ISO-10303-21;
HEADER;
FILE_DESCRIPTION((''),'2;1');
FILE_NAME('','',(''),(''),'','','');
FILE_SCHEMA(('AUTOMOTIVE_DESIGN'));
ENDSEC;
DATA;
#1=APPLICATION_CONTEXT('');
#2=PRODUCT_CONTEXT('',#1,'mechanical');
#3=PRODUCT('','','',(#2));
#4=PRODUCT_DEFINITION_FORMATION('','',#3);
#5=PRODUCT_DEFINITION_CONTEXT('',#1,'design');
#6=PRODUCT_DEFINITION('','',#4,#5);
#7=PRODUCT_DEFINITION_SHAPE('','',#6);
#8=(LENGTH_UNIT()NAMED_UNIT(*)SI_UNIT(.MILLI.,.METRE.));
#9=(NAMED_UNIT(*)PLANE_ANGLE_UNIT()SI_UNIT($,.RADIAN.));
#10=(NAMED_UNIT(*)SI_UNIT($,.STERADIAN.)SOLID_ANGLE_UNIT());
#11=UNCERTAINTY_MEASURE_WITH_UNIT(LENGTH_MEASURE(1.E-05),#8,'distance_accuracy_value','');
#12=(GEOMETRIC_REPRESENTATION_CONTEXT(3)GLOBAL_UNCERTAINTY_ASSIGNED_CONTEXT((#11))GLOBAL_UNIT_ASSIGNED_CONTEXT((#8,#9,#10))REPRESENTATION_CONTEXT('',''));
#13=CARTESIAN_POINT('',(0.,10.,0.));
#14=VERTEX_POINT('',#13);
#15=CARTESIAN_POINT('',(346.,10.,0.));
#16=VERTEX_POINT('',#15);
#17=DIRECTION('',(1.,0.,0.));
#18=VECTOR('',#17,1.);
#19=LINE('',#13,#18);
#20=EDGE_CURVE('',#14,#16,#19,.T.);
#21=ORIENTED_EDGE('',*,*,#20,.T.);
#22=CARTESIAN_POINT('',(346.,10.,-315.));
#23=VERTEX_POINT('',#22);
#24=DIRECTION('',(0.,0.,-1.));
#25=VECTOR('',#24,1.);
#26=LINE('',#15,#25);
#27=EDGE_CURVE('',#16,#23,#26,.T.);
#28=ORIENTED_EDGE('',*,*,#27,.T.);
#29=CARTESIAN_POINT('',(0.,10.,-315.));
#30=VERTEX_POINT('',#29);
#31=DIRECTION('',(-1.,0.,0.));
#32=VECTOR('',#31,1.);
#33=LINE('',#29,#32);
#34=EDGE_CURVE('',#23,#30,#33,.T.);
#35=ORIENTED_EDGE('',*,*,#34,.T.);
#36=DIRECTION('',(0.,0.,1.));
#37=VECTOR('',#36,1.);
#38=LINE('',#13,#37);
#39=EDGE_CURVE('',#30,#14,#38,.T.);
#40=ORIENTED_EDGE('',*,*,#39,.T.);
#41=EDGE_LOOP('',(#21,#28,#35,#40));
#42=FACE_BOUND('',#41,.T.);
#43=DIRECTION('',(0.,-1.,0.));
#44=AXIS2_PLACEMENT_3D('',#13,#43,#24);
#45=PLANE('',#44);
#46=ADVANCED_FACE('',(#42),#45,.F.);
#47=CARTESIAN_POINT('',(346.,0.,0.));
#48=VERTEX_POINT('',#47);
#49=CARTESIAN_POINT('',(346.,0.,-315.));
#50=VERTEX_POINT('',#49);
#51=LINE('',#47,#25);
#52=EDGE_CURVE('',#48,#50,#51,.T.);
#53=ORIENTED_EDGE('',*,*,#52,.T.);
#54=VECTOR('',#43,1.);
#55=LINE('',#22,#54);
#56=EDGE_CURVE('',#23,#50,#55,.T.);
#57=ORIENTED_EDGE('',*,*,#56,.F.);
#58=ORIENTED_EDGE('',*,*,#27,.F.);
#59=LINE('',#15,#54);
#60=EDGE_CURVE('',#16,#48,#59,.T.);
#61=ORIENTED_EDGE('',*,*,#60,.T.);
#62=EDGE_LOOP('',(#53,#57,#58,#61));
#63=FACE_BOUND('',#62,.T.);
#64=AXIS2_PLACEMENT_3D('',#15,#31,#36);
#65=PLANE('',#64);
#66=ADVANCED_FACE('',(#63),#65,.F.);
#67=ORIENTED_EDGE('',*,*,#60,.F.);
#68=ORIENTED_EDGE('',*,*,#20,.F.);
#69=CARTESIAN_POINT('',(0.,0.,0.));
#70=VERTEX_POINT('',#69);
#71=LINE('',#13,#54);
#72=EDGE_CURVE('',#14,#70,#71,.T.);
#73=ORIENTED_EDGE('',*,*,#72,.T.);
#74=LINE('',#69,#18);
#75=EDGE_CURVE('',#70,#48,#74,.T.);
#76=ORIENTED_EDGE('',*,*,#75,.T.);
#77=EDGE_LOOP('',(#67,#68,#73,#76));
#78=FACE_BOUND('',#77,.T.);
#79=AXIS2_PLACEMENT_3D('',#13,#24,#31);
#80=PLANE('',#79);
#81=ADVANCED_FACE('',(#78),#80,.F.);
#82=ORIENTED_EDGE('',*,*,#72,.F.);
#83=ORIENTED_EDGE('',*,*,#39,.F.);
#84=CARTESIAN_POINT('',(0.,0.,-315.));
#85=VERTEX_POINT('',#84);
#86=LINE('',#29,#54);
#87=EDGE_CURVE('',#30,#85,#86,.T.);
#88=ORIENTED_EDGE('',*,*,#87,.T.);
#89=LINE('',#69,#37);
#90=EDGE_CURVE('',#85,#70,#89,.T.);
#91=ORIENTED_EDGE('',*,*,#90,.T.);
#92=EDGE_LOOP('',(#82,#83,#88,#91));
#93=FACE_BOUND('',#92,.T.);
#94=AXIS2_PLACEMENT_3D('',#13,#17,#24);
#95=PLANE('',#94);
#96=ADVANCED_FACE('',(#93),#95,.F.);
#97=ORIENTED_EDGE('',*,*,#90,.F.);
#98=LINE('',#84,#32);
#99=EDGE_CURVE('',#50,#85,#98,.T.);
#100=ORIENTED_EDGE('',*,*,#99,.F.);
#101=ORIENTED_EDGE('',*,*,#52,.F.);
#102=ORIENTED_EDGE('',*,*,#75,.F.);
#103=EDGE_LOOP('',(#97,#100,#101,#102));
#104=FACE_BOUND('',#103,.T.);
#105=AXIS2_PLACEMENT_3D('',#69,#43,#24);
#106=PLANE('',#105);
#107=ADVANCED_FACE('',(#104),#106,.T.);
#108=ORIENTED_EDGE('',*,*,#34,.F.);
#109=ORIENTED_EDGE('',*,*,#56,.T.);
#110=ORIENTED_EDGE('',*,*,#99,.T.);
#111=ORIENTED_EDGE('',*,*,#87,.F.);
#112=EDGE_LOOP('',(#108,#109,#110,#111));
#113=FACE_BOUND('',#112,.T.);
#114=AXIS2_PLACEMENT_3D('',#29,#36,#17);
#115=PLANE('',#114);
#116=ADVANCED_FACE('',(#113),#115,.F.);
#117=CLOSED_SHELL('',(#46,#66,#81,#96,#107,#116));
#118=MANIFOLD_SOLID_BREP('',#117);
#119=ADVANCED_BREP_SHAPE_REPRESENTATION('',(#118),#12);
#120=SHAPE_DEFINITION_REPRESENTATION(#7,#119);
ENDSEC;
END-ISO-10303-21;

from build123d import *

# Parameters (mm, degrees)
SKETCH_1_W      = 346
SKETCH_1_H      = 315
EXTRUDE_1_DEPTH = 10


with BuildPart() as part:
    # 草图1 → 凸台-拉伸1 (new body)
    with BuildSketch(Plane(origin=(0, 0, 0), x_dir=(1, 0, 0), z_dir=(0, 1, 0))):
        with Locations((173, 157.5)):
            Rectangle(SKETCH_1_W, SKETCH_1_H)
    extrude(amount=EXTRUDE_1_DEPTH)


solid = part.part
